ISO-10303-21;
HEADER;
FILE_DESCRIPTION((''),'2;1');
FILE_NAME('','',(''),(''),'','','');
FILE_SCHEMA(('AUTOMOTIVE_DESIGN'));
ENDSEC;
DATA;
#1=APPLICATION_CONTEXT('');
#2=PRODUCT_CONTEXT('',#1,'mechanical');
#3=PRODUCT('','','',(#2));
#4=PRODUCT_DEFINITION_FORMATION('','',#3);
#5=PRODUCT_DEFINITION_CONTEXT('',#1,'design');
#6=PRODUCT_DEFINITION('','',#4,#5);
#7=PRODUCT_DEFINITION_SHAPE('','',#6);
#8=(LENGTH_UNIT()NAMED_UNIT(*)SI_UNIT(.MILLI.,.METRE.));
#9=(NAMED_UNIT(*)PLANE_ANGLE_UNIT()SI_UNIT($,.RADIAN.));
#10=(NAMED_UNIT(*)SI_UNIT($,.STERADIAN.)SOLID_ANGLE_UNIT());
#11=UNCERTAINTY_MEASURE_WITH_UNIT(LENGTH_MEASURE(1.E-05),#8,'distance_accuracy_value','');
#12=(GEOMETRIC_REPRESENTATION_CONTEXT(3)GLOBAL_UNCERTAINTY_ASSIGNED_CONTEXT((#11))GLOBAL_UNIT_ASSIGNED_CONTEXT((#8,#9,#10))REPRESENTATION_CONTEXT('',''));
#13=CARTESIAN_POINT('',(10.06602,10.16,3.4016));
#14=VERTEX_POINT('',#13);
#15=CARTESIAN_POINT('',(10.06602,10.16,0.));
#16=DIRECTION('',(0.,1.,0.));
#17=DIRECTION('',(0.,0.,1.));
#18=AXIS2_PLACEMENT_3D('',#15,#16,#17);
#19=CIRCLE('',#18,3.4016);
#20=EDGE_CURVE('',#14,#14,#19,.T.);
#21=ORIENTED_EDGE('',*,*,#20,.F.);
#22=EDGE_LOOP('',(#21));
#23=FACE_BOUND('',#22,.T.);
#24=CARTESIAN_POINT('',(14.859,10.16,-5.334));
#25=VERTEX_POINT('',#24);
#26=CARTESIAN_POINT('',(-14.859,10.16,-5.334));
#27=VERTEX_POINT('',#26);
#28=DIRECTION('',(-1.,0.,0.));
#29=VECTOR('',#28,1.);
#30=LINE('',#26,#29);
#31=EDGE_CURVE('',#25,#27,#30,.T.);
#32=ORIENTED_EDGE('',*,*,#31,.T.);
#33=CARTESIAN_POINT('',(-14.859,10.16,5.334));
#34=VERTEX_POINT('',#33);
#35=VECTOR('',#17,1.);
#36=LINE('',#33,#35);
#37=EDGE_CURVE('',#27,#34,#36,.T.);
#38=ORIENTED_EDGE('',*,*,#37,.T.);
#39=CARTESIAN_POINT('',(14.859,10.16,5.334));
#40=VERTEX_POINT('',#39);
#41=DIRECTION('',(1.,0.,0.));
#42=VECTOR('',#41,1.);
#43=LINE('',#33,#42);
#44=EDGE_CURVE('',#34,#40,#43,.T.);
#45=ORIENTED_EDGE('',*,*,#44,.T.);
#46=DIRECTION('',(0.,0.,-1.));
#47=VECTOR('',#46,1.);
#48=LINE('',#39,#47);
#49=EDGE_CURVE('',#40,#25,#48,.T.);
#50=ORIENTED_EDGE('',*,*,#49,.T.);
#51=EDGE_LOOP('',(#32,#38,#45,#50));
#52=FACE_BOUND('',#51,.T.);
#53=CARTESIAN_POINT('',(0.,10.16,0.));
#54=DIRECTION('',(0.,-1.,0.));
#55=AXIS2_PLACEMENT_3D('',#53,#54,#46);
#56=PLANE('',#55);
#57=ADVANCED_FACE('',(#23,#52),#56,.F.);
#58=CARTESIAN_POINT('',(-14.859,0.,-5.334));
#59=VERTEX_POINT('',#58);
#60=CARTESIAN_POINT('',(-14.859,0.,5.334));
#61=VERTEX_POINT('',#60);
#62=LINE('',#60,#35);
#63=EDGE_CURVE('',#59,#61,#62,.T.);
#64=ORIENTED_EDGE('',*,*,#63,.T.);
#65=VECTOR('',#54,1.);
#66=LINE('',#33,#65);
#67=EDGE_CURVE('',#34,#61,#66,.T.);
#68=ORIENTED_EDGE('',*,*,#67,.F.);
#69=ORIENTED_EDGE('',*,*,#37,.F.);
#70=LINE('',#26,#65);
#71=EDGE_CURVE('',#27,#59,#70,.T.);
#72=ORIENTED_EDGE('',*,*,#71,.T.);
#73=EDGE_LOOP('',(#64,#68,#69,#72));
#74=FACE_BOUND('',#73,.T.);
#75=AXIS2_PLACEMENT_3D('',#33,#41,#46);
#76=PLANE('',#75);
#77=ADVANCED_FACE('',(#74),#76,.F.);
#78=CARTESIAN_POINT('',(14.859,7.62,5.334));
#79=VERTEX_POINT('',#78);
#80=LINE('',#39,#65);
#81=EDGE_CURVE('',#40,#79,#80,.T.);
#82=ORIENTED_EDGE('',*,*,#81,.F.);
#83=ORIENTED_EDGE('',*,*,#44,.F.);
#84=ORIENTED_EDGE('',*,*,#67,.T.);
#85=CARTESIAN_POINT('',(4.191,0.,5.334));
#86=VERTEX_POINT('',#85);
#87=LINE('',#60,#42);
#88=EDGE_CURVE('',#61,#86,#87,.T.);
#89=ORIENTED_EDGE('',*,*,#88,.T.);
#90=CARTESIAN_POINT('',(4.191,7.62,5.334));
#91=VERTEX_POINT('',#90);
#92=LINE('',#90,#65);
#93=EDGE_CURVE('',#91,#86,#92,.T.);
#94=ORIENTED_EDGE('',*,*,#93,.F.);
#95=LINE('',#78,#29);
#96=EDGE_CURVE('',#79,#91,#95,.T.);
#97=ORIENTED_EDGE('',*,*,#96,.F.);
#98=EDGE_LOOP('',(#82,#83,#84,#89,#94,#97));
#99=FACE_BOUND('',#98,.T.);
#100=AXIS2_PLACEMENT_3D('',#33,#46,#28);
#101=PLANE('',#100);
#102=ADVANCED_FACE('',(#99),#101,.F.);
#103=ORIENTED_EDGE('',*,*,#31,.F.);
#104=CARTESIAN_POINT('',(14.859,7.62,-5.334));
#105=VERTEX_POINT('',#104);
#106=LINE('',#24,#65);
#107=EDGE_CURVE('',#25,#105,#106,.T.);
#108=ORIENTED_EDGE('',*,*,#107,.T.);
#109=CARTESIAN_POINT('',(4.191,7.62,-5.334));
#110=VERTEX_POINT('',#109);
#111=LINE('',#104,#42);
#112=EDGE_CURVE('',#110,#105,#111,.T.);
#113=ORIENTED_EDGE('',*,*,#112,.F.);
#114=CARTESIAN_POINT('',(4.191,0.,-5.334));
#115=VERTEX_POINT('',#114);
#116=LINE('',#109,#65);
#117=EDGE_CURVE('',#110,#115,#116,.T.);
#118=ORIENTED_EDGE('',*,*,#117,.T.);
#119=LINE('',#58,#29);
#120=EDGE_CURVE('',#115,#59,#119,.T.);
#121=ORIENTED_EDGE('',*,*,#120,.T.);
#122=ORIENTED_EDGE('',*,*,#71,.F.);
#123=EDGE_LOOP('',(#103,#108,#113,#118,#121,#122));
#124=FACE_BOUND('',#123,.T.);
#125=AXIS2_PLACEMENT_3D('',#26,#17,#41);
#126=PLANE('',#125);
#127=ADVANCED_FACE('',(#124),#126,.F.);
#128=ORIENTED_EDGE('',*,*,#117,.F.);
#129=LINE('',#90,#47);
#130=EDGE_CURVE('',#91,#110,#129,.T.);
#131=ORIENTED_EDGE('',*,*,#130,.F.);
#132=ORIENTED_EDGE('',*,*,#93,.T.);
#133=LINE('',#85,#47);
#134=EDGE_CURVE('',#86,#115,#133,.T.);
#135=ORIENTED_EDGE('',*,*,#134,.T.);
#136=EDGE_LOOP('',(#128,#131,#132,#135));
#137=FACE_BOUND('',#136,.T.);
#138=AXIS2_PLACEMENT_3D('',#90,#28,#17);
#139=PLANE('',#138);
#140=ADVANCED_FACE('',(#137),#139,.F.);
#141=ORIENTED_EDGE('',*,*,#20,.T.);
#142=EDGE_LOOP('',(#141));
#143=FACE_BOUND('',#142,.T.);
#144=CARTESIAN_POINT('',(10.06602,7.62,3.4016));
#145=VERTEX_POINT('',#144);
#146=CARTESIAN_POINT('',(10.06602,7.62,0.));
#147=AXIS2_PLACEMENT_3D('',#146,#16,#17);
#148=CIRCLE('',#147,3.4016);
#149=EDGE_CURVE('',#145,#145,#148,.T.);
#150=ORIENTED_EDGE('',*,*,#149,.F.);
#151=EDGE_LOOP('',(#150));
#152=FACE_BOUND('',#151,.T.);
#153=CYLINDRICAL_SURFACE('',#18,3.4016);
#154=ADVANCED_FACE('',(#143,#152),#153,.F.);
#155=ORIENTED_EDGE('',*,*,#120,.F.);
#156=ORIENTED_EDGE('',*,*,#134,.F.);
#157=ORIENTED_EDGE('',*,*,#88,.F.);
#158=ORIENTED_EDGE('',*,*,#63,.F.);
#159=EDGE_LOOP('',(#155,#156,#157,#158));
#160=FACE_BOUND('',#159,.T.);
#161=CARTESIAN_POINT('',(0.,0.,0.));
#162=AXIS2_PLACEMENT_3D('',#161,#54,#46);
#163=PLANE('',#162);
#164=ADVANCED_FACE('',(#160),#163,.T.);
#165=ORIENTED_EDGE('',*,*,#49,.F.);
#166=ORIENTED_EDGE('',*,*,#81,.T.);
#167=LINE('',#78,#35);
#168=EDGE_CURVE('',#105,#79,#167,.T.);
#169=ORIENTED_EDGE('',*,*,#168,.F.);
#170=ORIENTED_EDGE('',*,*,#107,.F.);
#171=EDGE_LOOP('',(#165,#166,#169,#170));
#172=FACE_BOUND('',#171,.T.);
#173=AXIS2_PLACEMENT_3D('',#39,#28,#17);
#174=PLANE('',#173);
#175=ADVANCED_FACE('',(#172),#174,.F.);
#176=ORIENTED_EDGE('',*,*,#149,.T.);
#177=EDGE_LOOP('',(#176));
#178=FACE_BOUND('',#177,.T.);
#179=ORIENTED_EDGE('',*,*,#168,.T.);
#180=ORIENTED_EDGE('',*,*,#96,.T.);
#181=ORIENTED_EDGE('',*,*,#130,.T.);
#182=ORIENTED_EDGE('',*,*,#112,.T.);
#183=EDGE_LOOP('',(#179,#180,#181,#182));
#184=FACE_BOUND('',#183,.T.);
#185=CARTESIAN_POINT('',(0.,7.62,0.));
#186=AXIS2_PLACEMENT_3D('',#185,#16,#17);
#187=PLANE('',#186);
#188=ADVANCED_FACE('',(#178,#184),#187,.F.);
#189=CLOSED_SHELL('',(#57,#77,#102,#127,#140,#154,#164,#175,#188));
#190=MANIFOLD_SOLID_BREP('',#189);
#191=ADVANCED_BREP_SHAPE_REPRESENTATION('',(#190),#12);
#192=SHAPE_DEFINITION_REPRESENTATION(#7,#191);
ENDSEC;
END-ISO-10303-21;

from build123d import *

# Parameters (mm, degrees)
SKETCH1_W                = 29.718
SKETCH1_H                = 10.668
BOSS_EXTRUDE1_DEPTH      = 10.16
SKETCH2_W                = 10.668
SKETCH2_H                = 10.668
CUT_EXTRUDE1_DEPTH       = 7.62
M6_CLEARANCE_HOLE1_D     = 6.8032
M6_CLEARANCE_HOLE1_DEPTH = 32.4993
M6_CLEARANCE_HOLE1_TIP   = 2.043887482


with BuildPart() as part:
    # Sketch1 → Boss-Extrude1 (new body)
    with BuildSketch(Plane(origin=(0, 0, 0), x_dir=(1, 0, 0), z_dir=(0, 1, 0))):
        Rectangle(SKETCH1_W, SKETCH1_H)
    extrude(amount=BOSS_EXTRUDE1_DEPTH)

    # Sketch2 → Cut-Extrude1 (cut)
    with BuildSketch(Plane(origin=(0, 0, 0), x_dir=(-1, 0, 0), z_dir=(0, -1, 0))):
        with Locations((-9.525, 0)):
            Rectangle(SKETCH2_W, SKETCH2_H)
    extrude(amount=-CUT_EXTRUDE1_DEPTH, mode=Mode.SUBTRACT)

    # M6 Clearance Hole1
    with Locations(Plane(origin=(0, 10.16, 0), x_dir=(1, 0, 0), z_dir=(0, 1, 0))):
        with Locations((10.06602, 0)):
            Hole(M6_CLEARANCE_HOLE1_D / 2, depth=M6_CLEARANCE_HOLE1_DEPTH)
            with Locations((0, 0, -(M6_CLEARANCE_HOLE1_DEPTH + M6_CLEARANCE_HOLE1_TIP / 2))):  # 118° drill point
                Cone(0, M6_CLEARANCE_HOLE1_D / 2, M6_CLEARANCE_HOLE1_TIP, mode=Mode.SUBTRACT)


solid = part.part
